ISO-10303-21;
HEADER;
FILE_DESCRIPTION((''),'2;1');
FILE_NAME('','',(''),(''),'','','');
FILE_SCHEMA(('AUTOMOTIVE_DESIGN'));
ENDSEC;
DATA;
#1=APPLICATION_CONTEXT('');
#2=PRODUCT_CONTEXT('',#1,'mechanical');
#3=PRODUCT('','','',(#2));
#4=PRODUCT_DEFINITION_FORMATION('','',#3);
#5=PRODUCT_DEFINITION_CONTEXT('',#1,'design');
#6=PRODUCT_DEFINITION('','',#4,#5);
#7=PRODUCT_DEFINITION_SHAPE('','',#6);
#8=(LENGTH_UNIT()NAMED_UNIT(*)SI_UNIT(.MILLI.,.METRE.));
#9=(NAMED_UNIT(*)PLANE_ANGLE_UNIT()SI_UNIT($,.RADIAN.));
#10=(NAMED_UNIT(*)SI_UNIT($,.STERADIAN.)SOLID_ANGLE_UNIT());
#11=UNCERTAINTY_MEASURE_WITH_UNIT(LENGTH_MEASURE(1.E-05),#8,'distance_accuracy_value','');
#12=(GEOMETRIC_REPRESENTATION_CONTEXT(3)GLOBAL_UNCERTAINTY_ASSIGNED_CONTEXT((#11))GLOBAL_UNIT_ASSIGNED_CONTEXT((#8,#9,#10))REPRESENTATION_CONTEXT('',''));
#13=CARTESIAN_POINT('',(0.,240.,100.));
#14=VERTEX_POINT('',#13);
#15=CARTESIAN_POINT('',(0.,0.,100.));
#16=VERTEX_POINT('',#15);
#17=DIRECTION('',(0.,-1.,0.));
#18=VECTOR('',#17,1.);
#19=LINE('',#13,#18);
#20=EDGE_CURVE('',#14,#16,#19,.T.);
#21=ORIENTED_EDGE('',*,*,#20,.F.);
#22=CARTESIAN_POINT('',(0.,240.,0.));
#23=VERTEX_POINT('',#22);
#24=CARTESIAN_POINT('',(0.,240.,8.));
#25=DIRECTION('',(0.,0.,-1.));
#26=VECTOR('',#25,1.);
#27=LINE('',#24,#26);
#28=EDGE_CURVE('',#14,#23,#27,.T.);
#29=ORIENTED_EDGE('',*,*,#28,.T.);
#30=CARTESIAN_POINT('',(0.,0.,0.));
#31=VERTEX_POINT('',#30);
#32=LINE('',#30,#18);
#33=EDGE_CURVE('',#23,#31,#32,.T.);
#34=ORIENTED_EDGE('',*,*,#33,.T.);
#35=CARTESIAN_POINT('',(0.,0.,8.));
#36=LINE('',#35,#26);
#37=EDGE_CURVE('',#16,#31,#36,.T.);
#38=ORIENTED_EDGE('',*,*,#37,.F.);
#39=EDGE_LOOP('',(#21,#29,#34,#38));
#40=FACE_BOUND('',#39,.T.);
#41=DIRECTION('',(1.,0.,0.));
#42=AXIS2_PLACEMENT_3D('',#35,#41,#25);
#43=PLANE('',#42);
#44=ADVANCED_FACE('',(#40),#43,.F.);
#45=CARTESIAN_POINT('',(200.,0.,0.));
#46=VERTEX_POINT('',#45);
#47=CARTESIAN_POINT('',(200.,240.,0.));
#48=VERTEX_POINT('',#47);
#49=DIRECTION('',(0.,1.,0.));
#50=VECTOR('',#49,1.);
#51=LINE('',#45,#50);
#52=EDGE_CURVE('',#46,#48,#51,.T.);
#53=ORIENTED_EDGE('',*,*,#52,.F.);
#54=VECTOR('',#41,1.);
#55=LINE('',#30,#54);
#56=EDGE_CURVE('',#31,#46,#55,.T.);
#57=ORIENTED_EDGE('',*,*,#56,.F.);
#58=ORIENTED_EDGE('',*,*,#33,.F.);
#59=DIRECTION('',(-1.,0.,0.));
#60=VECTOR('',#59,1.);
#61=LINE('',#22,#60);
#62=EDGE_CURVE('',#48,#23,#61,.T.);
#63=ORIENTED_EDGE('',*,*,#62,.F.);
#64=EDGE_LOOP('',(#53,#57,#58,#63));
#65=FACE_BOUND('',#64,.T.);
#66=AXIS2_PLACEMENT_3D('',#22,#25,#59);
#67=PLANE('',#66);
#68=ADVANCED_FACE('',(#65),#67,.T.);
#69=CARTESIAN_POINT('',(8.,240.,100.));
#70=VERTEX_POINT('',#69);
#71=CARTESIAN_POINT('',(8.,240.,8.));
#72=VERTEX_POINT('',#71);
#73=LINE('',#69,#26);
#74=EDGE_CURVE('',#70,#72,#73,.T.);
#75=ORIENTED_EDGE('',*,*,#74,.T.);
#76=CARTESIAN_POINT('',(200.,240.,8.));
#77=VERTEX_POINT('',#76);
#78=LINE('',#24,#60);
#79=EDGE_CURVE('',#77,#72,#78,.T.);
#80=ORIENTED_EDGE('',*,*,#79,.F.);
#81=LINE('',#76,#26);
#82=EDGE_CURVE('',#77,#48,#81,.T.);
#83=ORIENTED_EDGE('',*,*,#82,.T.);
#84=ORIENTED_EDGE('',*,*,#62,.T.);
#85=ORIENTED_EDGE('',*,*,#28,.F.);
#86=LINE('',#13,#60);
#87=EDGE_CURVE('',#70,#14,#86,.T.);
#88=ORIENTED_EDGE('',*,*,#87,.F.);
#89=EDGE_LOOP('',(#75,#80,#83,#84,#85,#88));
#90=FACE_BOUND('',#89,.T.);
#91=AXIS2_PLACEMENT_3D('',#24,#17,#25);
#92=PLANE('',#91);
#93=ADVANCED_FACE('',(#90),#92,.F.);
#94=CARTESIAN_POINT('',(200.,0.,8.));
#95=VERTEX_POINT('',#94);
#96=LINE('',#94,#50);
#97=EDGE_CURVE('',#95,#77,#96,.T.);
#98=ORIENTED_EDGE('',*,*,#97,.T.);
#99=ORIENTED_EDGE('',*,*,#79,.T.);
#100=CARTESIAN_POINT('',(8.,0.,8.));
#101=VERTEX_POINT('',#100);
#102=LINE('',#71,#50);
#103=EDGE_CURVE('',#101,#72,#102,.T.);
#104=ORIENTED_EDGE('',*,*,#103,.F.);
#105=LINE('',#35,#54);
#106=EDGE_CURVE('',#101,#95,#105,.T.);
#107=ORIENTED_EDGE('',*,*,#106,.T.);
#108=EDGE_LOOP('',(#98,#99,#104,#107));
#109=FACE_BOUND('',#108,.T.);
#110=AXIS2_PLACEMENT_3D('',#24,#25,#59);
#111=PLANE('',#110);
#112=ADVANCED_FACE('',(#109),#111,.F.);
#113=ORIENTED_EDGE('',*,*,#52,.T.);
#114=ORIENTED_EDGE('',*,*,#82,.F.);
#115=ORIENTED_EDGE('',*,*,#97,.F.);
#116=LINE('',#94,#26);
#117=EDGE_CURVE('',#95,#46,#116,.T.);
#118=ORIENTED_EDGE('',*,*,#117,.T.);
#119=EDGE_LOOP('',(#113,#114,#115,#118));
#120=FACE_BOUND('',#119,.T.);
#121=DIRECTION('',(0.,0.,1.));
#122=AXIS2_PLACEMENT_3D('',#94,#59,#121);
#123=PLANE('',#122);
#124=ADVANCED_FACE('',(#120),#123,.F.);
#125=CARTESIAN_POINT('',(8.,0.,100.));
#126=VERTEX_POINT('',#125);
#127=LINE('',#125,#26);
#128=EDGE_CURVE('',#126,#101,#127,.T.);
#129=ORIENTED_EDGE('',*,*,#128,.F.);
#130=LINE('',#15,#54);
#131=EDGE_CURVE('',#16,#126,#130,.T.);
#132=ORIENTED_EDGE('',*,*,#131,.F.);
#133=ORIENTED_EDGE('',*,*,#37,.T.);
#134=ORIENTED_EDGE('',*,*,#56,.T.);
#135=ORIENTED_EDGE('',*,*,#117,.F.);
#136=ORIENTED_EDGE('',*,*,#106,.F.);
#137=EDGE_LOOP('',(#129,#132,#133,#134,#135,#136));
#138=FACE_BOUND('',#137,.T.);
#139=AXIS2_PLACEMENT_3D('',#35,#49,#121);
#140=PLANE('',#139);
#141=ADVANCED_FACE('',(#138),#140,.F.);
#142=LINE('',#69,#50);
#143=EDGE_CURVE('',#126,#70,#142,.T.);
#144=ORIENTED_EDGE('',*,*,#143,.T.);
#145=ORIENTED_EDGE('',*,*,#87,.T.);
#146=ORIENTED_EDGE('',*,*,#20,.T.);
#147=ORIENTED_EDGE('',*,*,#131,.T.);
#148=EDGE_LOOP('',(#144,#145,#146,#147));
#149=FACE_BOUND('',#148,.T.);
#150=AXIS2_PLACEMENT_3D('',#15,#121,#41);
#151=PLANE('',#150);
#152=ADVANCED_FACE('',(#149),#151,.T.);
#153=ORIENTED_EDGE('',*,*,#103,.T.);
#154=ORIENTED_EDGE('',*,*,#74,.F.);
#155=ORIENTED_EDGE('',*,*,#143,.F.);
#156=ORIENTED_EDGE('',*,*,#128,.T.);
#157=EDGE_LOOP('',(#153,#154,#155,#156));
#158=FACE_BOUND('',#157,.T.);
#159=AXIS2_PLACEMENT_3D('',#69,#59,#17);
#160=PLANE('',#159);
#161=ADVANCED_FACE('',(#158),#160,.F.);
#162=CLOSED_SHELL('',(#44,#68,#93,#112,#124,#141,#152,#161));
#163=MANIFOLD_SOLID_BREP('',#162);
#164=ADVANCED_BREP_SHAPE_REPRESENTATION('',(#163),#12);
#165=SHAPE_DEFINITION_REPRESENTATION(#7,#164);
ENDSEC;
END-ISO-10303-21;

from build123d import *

# Parameters (mm, degrees)
SKETCH_1_W          = 200
SKETCH_1_H          = 240
SKETCH_1_R          = 13
EXTRUDE_393_DEPTH   = 8
SKETCH_2_W          = 8
SKETCH_2_H          = 240
EXTRUDE_1_DEPTH     = 92
SKETCH_3_R          = 13
CUT_EXTRUDE_1_DEPTH = 329.024389337
SKETCH_5_W          = 192
SKETCH_5_H          = 240
EXTRUDE_2_DEPTH     = 8
SKETCH_6_W          = 92
SKETCH_6_H          = 240
EXTRUDE_3_DEPTH     = 8


with BuildPart() as part:
    # 草图1 → Extrude 393 (new body)
    with BuildSketch(Plane.XY):
        with Locations((100, 120)):
            Rectangle(SKETCH_1_W, SKETCH_1_H)
        with Locations((160, 40)):
            Circle(SKETCH_1_R, mode=Mode.SUBTRACT)
        with Locations((160, 120)):
            Circle(SKETCH_1_R, mode=Mode.SUBTRACT)
        with Locations((160, 200)):
            Circle(SKETCH_1_R, mode=Mode.SUBTRACT)
    extrude(amount=EXTRUDE_393_DEPTH)

    # 草图2 → 凸台-拉伸1 (add)
    with BuildSketch(Plane.XY.offset(8)):
        with Locations((4, 120)):
            Rectangle(SKETCH_2_W, SKETCH_2_H)
    extrude(amount=EXTRUDE_1_DEPTH)

    # 草图3 → 切除-拉伸1 (cut, through all)
    with BuildSketch(Plane.ZY):
        with Locations((52, 200)):
            Circle(SKETCH_3_R)
        with Locations((52, 120)):
            Circle(SKETCH_3_R)
        with Locations((52, 40)):
            Circle(SKETCH_3_R)
    extrude(amount=-CUT_EXTRUDE_1_DEPTH, mode=Mode.SUBTRACT)

    # 草图5 → 凸台-拉伸2 (add)
    with BuildSketch(Plane.XY.offset(8)):
        with Locations((104, 120)):
            Rectangle(SKETCH_5_W, SKETCH_5_H)
    extrude(amount=-EXTRUDE_2_DEPTH)

    # 草图6 → 凸台-拉伸3 (add)
    with BuildSketch(Plane(origin=(8, 0, 0), x_dir=(0, 0, -1), z_dir=(1, 0, 0))):
        with Locations((-54, 120)):
            Rectangle(SKETCH_6_W, SKETCH_6_H)
    extrude(amount=-EXTRUDE_3_DEPTH)


solid = part.part
